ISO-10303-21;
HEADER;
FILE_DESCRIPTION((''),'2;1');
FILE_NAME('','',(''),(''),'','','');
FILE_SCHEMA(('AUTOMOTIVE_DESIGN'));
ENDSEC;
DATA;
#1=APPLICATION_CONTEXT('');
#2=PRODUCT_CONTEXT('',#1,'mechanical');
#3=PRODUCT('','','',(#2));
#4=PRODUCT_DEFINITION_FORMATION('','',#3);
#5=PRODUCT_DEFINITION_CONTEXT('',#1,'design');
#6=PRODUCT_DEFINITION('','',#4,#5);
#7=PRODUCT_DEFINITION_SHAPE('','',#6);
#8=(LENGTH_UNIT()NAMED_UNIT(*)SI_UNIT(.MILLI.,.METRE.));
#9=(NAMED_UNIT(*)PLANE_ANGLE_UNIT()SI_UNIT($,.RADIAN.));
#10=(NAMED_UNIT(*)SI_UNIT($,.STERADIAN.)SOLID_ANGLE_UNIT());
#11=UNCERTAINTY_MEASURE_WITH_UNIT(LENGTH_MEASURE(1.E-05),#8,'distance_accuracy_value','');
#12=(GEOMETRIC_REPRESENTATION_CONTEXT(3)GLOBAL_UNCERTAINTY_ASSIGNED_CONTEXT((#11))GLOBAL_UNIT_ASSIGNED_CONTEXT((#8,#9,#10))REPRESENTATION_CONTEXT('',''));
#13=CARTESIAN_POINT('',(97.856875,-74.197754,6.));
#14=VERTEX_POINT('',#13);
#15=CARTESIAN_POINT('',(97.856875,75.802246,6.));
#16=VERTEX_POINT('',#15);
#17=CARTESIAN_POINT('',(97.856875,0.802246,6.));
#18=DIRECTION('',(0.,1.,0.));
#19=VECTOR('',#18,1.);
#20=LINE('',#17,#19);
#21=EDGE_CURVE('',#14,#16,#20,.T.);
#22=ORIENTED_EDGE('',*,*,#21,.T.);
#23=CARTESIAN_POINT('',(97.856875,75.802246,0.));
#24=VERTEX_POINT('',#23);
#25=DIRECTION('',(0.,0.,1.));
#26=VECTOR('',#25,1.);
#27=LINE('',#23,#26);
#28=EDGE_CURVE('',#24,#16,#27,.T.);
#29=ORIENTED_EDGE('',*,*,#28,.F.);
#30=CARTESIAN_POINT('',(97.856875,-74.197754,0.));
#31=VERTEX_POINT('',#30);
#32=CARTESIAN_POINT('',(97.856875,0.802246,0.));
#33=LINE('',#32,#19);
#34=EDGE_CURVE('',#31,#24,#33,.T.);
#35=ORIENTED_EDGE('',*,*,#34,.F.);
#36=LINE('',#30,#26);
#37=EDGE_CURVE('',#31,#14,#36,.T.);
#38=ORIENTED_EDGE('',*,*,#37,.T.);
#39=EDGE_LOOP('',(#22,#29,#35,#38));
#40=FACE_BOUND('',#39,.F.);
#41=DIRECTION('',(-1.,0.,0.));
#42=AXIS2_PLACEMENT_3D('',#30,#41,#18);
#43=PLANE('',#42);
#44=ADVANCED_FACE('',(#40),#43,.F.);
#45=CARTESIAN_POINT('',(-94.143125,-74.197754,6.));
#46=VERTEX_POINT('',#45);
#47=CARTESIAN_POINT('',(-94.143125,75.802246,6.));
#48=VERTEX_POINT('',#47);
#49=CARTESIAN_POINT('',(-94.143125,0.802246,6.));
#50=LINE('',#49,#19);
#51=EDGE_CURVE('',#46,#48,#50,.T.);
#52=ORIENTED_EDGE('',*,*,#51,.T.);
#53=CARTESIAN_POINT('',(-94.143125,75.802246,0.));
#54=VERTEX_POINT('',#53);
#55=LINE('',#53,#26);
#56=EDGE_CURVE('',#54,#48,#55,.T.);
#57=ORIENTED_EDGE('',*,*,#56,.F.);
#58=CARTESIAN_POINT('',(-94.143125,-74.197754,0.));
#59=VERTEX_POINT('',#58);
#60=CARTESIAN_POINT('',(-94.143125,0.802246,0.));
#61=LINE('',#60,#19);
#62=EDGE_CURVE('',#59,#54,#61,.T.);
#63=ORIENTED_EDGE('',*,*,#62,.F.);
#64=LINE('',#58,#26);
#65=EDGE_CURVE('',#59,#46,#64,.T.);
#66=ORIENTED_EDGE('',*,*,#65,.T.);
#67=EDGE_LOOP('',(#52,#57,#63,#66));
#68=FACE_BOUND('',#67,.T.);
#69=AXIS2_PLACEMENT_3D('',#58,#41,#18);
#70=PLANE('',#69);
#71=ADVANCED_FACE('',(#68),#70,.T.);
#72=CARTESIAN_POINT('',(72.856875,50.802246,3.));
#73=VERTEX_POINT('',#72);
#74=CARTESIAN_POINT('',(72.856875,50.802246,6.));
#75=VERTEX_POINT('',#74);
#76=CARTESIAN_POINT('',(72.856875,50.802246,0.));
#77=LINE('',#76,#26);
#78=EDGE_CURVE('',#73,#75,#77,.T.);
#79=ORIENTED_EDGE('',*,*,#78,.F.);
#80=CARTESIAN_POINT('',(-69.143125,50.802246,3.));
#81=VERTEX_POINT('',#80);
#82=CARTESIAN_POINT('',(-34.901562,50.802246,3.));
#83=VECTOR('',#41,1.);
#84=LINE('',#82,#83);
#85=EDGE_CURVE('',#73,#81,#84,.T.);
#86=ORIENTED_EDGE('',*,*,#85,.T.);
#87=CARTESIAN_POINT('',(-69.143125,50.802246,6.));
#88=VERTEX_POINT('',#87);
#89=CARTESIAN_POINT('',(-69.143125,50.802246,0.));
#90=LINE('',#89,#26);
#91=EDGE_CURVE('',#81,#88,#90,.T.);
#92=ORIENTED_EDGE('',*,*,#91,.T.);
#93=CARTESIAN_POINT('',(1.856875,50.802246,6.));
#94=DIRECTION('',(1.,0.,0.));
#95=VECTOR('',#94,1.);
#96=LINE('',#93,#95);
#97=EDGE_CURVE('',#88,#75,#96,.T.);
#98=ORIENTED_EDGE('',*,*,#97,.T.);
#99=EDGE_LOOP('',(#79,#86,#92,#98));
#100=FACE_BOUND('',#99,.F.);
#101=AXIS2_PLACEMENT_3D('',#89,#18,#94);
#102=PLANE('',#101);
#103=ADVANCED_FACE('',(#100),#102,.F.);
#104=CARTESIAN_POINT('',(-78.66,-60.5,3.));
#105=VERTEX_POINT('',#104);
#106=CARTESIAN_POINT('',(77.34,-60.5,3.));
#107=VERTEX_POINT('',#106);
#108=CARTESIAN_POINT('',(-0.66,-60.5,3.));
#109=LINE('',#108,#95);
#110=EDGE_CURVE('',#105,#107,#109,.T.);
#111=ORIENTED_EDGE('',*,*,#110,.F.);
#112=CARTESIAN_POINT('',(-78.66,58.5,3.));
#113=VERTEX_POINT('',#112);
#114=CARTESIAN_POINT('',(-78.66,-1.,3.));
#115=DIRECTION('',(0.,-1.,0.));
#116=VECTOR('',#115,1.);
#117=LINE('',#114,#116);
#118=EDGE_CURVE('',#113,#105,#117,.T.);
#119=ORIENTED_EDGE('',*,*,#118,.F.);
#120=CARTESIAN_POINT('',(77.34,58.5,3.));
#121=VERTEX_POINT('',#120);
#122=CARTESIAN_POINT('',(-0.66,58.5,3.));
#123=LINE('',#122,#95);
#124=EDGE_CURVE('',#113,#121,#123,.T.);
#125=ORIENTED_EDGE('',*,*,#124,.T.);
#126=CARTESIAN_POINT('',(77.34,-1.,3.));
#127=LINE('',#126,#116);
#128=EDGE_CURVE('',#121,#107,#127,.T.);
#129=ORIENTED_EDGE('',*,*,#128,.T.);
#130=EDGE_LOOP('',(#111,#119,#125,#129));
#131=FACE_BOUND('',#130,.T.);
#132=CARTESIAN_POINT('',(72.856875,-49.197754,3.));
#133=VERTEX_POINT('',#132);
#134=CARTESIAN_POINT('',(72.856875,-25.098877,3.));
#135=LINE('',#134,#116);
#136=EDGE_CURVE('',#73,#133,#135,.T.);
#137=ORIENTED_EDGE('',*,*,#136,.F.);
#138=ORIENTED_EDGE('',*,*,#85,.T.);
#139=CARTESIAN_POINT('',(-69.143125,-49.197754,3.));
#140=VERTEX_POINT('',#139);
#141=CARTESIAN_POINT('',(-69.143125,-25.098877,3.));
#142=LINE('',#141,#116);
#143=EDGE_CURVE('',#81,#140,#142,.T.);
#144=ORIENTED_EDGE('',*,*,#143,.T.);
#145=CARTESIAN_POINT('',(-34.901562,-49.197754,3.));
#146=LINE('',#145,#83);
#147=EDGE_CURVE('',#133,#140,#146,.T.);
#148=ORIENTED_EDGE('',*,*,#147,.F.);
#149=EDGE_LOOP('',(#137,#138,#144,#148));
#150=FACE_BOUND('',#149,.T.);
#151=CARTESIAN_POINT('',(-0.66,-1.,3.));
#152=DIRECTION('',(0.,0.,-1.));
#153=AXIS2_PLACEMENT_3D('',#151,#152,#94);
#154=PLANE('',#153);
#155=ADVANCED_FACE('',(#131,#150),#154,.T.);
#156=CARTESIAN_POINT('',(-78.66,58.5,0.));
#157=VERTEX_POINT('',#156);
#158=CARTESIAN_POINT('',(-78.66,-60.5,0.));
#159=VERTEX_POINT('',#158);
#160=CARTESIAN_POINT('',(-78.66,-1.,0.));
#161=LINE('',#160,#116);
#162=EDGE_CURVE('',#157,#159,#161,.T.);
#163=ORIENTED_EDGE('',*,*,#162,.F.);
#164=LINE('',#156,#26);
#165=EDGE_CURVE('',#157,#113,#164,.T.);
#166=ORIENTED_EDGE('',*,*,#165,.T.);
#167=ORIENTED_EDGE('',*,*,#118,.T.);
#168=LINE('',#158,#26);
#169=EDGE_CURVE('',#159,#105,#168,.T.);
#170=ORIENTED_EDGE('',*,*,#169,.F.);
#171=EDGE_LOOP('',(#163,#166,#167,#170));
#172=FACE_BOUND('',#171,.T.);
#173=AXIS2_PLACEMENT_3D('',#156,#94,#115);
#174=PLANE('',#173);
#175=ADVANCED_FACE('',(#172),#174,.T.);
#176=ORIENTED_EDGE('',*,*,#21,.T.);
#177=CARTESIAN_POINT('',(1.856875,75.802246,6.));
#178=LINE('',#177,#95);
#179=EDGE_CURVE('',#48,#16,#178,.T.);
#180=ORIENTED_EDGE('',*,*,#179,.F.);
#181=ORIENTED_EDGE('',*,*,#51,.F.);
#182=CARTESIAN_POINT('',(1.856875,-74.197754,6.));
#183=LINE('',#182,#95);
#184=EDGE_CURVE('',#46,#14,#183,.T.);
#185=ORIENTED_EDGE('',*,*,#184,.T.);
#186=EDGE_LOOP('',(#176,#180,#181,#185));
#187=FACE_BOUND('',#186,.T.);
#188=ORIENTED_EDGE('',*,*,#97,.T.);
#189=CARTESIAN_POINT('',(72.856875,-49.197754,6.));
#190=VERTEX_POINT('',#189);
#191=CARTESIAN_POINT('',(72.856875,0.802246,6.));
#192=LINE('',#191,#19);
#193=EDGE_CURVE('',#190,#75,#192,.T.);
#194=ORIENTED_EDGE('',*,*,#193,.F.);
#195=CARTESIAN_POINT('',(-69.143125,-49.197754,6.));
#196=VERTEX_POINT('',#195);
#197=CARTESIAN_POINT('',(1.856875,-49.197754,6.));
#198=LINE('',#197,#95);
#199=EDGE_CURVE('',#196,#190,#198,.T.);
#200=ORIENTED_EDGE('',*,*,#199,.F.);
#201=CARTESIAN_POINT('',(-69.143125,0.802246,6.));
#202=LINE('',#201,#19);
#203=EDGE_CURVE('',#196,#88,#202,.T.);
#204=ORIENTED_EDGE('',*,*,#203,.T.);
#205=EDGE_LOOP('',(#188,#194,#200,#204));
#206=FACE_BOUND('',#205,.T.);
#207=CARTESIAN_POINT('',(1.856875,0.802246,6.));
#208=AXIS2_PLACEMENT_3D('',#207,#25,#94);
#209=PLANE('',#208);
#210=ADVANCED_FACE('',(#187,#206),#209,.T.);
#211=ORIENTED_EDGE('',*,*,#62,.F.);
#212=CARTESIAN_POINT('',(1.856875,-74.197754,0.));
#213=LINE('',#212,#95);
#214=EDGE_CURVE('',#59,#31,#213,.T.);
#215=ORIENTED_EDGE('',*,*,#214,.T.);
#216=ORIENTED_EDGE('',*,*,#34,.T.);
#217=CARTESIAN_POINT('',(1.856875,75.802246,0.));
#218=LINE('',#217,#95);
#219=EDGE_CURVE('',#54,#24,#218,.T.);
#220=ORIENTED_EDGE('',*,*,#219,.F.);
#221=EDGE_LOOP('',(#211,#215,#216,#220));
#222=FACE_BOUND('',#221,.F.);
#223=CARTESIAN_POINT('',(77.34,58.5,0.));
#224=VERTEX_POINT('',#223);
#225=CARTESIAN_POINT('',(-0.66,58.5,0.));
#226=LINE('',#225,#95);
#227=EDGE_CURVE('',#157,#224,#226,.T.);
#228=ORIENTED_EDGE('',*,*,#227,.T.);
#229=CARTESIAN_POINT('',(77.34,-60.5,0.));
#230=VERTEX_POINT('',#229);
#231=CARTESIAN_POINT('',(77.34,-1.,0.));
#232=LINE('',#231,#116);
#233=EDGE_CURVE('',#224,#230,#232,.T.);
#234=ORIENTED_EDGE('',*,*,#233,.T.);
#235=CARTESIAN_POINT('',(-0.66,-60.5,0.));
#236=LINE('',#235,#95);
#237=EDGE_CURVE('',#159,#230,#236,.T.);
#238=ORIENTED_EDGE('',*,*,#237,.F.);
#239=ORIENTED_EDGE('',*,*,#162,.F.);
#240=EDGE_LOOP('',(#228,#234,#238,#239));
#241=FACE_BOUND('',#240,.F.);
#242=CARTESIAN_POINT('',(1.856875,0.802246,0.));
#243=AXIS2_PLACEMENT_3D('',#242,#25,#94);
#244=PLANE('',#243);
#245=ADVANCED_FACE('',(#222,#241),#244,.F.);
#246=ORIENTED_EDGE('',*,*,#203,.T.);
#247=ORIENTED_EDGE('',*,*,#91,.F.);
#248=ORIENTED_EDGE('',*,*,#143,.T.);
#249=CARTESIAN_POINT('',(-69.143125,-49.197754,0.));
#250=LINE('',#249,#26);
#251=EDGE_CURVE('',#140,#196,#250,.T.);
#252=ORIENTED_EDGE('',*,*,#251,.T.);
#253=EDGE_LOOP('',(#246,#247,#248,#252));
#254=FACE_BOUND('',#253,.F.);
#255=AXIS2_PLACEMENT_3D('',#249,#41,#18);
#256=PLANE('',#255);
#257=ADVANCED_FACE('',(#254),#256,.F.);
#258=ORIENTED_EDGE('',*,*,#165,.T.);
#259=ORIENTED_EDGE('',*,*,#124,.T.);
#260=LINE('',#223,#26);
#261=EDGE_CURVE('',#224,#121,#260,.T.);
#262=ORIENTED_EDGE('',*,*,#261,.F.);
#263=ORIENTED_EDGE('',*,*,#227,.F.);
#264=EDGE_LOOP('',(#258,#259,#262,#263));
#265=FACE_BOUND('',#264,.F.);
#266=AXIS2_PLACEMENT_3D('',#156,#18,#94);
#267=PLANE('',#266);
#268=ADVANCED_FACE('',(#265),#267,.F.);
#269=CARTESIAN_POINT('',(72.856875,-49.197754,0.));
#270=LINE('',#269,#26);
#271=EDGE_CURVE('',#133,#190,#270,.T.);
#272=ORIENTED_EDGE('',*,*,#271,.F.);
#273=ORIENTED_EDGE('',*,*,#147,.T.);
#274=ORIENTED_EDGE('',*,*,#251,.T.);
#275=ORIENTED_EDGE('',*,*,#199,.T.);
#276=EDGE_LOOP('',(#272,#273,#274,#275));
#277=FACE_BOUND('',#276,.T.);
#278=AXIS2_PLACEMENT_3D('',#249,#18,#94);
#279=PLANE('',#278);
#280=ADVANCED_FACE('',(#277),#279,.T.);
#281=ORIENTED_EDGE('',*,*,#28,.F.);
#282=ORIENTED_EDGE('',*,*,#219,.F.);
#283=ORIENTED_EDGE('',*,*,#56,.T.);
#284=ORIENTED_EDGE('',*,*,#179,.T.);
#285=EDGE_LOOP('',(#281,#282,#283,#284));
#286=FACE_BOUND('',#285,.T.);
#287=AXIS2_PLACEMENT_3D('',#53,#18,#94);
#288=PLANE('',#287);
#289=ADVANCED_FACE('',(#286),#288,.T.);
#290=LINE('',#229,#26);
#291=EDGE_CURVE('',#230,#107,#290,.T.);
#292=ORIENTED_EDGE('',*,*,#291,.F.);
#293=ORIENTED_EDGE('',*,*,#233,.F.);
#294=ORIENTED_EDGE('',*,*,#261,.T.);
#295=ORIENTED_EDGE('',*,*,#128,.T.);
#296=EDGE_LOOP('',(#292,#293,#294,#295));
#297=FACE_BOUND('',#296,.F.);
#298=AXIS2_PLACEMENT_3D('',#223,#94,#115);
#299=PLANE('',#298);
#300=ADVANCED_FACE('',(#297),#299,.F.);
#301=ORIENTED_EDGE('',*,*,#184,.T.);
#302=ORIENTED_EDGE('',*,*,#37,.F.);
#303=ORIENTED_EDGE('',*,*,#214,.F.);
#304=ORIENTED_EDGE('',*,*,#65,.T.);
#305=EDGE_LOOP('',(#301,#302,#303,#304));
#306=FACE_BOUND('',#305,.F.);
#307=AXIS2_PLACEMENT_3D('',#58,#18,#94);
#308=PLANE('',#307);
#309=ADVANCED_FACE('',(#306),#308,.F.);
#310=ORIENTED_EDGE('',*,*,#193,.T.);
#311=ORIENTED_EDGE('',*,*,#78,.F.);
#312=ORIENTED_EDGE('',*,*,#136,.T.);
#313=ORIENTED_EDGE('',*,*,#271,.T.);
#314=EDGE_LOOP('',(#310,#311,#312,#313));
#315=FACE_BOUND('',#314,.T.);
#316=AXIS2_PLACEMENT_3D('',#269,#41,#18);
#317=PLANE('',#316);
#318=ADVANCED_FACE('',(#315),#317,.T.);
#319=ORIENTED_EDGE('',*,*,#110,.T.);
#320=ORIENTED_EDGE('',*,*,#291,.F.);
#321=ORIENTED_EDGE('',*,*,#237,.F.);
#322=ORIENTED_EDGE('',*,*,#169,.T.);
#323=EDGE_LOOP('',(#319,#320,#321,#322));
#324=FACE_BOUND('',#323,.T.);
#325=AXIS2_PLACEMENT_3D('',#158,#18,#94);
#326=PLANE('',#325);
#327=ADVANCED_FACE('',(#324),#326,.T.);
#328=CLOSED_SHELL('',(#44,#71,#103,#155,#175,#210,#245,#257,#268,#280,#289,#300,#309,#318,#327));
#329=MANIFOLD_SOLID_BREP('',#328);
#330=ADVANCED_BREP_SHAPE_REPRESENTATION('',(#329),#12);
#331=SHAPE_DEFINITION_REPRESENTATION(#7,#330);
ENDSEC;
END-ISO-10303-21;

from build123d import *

# Parameters (mm, degrees)
SKETCH_W     = 192
SKETCH_H     = 150
SKETCH_W_2   = 142
SKETCH_H_2   = 100
PAD_DEPTH    = 6
SKETCH001_W  = 156
SKETCH001_H  = 119
POCKET_DEPTH = 3


with BuildPart() as part:
    # Sketch → Pad (new body)
    with BuildSketch(Plane.XY):
        with Locations((1.856875, 0.802246)):
            Rectangle(SKETCH_W, SKETCH_H)
        with Locations((1.856875, 0.802246)):
            Rectangle(SKETCH_W_2, SKETCH_H_2, mode=Mode.SUBTRACT)
    extrude(amount=PAD_DEPTH)

    # Sketch001 (on Face9 of Pad) → Pocket (cut)
    with BuildSketch(Plane(origin=(0, 0, 0), x_dir=(1, 0, 0), z_dir=(0, 0, -1))):
        with Locations((-0.66, 1)):
            Rectangle(SKETCH001_W, SKETCH001_H)
    extrude(amount=-POCKET_DEPTH, mode=Mode.SUBTRACT)


solid = part.part
